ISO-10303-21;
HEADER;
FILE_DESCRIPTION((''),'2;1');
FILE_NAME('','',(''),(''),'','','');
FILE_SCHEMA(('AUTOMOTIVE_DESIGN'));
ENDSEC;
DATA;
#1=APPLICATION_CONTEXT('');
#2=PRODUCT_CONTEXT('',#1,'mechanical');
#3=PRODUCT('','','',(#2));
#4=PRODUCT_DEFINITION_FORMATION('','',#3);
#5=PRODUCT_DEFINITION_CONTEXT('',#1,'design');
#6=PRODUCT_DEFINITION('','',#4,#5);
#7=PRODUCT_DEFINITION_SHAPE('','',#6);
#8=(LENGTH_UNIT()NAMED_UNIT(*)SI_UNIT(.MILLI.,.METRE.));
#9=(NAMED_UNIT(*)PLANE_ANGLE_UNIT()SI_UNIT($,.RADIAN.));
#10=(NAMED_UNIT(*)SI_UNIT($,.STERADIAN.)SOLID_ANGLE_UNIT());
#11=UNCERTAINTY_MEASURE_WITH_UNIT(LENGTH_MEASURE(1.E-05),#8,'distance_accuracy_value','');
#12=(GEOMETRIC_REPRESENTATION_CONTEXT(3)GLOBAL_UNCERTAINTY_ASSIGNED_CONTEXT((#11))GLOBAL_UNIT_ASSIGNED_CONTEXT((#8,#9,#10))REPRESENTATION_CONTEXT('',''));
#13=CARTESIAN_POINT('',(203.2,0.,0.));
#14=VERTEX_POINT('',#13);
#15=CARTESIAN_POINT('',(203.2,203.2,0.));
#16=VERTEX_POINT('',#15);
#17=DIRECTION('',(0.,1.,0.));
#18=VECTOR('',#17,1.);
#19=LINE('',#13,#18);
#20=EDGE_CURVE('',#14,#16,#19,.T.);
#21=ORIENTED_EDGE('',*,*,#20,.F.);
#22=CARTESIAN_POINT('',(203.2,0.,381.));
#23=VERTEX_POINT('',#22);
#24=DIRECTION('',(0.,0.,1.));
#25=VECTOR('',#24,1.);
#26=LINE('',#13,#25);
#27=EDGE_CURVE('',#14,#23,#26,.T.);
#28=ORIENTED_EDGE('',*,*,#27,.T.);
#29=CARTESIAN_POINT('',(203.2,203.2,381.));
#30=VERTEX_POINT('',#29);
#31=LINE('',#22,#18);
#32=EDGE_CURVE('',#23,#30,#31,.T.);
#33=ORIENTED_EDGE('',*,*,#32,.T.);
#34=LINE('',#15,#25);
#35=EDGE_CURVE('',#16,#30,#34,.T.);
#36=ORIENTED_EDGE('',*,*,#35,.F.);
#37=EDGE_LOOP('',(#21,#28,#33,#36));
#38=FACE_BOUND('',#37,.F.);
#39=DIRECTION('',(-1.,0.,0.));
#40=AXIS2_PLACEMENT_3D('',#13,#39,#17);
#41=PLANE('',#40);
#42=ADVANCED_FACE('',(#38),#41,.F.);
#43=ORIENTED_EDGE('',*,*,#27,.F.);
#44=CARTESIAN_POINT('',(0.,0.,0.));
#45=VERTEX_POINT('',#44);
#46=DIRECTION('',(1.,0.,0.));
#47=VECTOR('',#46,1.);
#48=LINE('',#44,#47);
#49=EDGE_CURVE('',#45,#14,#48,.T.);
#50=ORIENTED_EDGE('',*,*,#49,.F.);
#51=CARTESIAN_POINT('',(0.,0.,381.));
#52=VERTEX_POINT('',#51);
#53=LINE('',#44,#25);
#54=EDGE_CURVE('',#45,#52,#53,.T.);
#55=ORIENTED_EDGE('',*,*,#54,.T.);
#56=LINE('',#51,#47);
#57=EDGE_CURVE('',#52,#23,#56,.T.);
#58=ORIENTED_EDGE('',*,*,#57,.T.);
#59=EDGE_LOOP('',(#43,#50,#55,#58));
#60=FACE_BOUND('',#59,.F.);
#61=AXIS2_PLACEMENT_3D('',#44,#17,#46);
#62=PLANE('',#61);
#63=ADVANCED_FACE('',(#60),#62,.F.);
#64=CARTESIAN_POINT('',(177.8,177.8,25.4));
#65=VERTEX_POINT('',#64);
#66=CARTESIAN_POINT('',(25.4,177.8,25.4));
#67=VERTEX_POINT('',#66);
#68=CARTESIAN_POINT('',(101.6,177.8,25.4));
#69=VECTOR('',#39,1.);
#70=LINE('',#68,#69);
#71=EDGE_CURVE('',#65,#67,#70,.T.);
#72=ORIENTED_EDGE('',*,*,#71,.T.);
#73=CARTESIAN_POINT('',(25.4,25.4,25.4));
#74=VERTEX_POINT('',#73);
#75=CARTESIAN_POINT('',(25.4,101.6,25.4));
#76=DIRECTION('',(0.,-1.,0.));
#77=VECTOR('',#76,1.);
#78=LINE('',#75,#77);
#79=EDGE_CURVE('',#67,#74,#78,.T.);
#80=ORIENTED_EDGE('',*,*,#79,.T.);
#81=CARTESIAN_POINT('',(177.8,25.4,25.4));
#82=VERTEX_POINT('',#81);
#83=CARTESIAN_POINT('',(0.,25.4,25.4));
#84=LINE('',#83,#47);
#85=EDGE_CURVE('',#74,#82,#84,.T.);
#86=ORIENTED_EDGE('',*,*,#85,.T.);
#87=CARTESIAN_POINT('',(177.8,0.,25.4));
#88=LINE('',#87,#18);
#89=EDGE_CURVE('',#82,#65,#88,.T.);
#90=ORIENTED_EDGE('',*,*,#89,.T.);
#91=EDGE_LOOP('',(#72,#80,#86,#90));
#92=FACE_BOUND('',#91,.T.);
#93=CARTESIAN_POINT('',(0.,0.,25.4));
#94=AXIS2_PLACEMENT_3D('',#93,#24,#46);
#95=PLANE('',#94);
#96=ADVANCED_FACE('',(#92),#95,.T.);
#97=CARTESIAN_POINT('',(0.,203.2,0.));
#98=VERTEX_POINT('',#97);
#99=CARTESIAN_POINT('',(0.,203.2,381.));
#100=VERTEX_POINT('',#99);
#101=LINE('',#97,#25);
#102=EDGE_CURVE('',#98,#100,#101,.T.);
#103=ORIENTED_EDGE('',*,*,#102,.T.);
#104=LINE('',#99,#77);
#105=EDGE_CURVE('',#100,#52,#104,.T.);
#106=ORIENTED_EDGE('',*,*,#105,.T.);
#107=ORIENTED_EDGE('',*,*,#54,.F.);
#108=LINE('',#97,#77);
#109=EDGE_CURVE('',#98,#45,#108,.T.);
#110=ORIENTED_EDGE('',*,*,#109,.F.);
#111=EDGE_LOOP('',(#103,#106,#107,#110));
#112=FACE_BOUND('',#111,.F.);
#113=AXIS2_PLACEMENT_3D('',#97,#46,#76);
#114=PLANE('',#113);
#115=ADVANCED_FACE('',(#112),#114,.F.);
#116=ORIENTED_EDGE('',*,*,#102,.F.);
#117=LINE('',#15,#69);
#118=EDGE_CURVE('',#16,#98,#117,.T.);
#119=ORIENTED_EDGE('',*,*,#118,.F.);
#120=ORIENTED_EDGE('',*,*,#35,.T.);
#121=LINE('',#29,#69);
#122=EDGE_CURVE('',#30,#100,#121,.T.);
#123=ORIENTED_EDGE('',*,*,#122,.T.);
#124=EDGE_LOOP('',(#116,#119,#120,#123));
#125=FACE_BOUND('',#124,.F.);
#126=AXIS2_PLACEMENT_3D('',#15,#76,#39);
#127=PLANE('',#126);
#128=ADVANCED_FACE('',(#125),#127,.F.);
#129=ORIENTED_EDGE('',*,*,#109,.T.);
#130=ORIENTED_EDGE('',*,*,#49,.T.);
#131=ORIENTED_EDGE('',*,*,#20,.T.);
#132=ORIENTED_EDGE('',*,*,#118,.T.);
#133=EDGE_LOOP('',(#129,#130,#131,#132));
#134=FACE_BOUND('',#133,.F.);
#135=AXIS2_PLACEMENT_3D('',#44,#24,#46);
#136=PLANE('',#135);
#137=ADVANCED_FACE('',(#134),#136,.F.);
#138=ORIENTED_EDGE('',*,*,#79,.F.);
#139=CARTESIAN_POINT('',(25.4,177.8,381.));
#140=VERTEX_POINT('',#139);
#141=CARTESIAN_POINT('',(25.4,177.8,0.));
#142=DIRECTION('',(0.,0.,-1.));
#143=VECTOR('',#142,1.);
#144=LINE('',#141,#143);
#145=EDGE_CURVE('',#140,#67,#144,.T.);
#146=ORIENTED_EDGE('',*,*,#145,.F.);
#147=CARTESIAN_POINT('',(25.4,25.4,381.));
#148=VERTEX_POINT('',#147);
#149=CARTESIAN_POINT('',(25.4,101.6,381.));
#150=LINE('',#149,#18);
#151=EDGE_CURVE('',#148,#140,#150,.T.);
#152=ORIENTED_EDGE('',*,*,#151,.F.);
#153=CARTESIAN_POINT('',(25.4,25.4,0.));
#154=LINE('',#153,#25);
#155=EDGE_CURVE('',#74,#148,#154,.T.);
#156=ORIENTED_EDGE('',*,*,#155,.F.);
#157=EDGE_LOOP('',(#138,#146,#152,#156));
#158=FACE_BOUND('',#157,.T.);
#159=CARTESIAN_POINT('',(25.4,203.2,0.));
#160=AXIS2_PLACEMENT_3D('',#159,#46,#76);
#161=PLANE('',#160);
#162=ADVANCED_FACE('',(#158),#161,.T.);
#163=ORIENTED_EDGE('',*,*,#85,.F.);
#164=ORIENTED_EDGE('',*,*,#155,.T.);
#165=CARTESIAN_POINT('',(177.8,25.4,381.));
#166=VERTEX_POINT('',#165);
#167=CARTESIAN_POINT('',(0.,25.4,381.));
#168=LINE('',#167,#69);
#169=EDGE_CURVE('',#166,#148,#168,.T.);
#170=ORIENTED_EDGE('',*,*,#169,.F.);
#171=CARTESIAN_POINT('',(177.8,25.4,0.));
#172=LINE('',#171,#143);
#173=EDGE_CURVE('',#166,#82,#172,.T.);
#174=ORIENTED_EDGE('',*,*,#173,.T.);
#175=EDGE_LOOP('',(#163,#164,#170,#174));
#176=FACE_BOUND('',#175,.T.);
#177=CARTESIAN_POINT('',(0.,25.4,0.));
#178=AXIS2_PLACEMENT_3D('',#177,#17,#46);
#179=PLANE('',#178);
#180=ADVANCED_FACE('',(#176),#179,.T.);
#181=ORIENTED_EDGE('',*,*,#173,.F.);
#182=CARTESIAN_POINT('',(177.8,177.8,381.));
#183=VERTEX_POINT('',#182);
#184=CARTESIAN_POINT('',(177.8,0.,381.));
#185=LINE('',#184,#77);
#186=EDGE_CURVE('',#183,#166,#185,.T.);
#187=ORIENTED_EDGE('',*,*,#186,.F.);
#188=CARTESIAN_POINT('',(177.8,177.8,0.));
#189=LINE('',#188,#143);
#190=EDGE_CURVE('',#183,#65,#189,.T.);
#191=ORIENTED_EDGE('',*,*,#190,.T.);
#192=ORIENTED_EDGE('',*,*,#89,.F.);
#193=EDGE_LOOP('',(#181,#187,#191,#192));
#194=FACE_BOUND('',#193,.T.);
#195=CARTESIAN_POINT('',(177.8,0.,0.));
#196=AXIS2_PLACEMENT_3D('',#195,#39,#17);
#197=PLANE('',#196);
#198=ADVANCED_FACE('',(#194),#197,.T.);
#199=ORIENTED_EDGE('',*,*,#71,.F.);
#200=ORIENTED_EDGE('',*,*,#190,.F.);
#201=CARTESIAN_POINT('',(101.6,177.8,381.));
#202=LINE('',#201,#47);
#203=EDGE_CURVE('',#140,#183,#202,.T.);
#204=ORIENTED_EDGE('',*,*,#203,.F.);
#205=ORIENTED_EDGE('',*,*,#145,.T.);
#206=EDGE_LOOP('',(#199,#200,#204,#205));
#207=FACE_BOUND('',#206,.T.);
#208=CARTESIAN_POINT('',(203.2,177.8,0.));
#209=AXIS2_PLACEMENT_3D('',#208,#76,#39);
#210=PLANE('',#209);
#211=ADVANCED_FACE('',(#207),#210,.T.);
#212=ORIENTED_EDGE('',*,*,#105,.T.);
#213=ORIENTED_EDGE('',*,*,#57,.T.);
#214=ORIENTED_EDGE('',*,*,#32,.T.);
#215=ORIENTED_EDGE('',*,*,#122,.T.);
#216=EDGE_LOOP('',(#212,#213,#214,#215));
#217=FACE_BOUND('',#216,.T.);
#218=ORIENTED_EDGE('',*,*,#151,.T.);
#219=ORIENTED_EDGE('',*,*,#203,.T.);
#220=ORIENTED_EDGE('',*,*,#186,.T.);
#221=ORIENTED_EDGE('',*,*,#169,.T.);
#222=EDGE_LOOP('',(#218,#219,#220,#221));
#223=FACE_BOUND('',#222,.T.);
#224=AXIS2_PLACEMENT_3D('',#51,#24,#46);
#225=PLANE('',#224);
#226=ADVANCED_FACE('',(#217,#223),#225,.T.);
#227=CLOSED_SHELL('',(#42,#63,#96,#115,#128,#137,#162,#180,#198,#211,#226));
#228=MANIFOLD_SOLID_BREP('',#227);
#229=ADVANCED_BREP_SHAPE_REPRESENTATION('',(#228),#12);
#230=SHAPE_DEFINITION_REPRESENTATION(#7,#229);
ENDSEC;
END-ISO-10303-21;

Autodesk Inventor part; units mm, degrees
ref_plane "YZ Plane" through (0, 0, 0) normal (1, 0, 0) x (0, 1, 0)
ref_plane "XZ Plane" through (0, 0, 0) normal (0, 1, 0) x (-1, 0, 0)
ref_plane "XY Plane" through (0, 0, 0) normal (0, 0, 1) x (1, 0, 0)
sketch "Sketch1" plane through (0, 0, 0) normal (0, 0, 1) x (1, 0, 0)
  line L0 (0, 0) -> (203.2, 0)
  line L1 (203.2, 0) -> (203.2, 203.2)
  line L2 (203.2, 203.2) -> (0, 203.2)
  line L3 (0, 203.2) -> (0, 0)
  dimension "d0" = 203.2
  dimension "d1" = 203.2
extrude "Extrusion1" add sketch "Sketch1" along normal blind 381
shell "Shell1" thickness 25.4 removed faces 1 at (135.4667, 135.4667, 381)
equation "\"d1\" = d0"
properties part number "Red truck"
